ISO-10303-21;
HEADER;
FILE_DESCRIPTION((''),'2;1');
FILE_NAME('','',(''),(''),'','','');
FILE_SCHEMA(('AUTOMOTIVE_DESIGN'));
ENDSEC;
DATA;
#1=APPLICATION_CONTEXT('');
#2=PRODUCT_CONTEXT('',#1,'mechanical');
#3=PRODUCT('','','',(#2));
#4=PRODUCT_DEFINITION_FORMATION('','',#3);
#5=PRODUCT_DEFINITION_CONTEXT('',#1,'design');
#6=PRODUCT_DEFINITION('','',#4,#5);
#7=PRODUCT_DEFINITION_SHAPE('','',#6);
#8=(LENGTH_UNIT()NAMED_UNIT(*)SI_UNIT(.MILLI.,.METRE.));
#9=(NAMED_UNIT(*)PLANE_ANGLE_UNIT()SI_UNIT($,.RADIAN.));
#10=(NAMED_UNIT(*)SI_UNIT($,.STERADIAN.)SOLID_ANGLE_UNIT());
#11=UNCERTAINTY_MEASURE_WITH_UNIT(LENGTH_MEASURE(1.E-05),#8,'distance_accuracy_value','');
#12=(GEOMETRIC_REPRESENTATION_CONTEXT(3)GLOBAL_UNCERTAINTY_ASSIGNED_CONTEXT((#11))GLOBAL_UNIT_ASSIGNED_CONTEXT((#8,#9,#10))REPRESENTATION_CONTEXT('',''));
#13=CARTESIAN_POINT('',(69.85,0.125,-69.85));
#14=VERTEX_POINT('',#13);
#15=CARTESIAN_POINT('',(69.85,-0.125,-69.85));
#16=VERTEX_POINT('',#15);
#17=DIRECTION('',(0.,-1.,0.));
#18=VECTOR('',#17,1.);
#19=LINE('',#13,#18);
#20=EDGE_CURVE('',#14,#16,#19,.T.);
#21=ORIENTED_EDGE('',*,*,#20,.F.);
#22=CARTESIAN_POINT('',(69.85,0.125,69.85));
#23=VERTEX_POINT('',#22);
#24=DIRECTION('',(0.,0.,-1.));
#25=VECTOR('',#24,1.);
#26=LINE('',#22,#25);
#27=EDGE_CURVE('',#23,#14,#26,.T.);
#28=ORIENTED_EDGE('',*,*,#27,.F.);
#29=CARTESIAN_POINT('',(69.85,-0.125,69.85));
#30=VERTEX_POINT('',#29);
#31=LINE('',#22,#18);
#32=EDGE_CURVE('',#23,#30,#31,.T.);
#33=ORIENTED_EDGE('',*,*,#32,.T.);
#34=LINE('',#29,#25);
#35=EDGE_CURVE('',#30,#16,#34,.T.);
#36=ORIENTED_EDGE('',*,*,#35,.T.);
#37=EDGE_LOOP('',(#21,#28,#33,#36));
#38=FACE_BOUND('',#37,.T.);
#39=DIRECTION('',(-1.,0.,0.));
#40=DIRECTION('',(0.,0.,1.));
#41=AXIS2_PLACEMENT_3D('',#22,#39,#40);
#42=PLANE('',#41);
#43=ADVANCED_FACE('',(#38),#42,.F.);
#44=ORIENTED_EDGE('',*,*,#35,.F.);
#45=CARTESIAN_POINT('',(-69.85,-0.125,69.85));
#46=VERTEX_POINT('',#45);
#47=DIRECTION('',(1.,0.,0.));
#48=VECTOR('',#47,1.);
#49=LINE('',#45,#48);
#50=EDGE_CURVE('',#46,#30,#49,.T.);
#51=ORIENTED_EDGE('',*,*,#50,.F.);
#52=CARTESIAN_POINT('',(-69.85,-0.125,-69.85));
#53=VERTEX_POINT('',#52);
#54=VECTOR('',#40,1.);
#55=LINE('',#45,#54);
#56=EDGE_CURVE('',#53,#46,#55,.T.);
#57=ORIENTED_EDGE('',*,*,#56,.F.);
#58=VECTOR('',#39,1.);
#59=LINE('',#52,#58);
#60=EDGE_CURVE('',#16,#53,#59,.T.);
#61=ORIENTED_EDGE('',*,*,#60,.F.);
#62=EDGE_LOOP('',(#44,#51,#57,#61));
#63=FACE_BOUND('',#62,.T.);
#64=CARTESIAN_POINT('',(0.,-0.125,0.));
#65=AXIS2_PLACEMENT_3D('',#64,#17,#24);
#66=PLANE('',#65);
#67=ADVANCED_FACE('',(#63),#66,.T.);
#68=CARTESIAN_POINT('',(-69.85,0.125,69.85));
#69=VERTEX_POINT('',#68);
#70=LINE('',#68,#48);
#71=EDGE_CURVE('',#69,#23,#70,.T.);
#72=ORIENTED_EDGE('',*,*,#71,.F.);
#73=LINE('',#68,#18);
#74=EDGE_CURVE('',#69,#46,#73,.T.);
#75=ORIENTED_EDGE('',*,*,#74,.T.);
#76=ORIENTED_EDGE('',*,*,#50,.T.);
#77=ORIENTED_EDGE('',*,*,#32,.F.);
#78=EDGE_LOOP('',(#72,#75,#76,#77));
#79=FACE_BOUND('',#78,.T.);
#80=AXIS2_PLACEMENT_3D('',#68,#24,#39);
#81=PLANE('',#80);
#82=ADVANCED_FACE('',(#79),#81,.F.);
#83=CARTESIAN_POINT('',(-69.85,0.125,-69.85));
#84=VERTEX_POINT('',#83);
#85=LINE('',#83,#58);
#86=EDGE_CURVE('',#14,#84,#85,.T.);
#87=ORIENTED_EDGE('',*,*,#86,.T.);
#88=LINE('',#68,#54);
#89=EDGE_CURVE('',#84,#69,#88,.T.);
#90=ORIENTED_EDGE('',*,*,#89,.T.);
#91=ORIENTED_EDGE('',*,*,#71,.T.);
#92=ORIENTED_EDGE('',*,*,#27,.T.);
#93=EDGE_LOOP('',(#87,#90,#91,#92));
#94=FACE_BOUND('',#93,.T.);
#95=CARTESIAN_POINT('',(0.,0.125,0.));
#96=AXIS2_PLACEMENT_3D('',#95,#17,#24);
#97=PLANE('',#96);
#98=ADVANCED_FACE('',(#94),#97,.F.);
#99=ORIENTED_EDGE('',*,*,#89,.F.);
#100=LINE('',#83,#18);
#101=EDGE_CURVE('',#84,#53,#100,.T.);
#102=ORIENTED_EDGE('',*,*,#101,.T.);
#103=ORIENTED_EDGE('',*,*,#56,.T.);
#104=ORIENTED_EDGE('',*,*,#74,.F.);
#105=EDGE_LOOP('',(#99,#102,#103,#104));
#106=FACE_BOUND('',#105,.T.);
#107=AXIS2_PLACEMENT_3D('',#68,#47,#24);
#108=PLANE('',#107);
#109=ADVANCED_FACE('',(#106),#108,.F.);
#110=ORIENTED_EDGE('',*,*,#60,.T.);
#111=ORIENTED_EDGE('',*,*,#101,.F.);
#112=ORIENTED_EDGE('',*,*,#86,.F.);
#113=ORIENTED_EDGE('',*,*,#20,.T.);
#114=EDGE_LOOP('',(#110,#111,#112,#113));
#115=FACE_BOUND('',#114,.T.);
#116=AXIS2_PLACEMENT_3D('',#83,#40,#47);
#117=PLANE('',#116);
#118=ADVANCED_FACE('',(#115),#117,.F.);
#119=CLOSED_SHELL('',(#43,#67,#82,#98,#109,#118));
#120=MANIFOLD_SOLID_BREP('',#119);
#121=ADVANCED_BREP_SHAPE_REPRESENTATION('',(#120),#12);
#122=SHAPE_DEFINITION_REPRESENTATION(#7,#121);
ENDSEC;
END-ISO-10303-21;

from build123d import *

# Parameters (mm, degrees)
SKETCH1_W           = 139.7
SKETCH1_H           = 139.7
BOSS_EXTRUDE1_DEPTH = 0.125


with BuildPart() as part:
    # Sketch1 → Boss-Extrude1 (new, symmetric)
    with BuildSketch(Plane(origin=(0, 0, 0), x_dir=(1, 0, 0), z_dir=(0, 1, 0))):
        Rectangle(SKETCH1_W, SKETCH1_H)
    extrude(amount=BOSS_EXTRUDE1_DEPTH, both=True)


solid = part.part
